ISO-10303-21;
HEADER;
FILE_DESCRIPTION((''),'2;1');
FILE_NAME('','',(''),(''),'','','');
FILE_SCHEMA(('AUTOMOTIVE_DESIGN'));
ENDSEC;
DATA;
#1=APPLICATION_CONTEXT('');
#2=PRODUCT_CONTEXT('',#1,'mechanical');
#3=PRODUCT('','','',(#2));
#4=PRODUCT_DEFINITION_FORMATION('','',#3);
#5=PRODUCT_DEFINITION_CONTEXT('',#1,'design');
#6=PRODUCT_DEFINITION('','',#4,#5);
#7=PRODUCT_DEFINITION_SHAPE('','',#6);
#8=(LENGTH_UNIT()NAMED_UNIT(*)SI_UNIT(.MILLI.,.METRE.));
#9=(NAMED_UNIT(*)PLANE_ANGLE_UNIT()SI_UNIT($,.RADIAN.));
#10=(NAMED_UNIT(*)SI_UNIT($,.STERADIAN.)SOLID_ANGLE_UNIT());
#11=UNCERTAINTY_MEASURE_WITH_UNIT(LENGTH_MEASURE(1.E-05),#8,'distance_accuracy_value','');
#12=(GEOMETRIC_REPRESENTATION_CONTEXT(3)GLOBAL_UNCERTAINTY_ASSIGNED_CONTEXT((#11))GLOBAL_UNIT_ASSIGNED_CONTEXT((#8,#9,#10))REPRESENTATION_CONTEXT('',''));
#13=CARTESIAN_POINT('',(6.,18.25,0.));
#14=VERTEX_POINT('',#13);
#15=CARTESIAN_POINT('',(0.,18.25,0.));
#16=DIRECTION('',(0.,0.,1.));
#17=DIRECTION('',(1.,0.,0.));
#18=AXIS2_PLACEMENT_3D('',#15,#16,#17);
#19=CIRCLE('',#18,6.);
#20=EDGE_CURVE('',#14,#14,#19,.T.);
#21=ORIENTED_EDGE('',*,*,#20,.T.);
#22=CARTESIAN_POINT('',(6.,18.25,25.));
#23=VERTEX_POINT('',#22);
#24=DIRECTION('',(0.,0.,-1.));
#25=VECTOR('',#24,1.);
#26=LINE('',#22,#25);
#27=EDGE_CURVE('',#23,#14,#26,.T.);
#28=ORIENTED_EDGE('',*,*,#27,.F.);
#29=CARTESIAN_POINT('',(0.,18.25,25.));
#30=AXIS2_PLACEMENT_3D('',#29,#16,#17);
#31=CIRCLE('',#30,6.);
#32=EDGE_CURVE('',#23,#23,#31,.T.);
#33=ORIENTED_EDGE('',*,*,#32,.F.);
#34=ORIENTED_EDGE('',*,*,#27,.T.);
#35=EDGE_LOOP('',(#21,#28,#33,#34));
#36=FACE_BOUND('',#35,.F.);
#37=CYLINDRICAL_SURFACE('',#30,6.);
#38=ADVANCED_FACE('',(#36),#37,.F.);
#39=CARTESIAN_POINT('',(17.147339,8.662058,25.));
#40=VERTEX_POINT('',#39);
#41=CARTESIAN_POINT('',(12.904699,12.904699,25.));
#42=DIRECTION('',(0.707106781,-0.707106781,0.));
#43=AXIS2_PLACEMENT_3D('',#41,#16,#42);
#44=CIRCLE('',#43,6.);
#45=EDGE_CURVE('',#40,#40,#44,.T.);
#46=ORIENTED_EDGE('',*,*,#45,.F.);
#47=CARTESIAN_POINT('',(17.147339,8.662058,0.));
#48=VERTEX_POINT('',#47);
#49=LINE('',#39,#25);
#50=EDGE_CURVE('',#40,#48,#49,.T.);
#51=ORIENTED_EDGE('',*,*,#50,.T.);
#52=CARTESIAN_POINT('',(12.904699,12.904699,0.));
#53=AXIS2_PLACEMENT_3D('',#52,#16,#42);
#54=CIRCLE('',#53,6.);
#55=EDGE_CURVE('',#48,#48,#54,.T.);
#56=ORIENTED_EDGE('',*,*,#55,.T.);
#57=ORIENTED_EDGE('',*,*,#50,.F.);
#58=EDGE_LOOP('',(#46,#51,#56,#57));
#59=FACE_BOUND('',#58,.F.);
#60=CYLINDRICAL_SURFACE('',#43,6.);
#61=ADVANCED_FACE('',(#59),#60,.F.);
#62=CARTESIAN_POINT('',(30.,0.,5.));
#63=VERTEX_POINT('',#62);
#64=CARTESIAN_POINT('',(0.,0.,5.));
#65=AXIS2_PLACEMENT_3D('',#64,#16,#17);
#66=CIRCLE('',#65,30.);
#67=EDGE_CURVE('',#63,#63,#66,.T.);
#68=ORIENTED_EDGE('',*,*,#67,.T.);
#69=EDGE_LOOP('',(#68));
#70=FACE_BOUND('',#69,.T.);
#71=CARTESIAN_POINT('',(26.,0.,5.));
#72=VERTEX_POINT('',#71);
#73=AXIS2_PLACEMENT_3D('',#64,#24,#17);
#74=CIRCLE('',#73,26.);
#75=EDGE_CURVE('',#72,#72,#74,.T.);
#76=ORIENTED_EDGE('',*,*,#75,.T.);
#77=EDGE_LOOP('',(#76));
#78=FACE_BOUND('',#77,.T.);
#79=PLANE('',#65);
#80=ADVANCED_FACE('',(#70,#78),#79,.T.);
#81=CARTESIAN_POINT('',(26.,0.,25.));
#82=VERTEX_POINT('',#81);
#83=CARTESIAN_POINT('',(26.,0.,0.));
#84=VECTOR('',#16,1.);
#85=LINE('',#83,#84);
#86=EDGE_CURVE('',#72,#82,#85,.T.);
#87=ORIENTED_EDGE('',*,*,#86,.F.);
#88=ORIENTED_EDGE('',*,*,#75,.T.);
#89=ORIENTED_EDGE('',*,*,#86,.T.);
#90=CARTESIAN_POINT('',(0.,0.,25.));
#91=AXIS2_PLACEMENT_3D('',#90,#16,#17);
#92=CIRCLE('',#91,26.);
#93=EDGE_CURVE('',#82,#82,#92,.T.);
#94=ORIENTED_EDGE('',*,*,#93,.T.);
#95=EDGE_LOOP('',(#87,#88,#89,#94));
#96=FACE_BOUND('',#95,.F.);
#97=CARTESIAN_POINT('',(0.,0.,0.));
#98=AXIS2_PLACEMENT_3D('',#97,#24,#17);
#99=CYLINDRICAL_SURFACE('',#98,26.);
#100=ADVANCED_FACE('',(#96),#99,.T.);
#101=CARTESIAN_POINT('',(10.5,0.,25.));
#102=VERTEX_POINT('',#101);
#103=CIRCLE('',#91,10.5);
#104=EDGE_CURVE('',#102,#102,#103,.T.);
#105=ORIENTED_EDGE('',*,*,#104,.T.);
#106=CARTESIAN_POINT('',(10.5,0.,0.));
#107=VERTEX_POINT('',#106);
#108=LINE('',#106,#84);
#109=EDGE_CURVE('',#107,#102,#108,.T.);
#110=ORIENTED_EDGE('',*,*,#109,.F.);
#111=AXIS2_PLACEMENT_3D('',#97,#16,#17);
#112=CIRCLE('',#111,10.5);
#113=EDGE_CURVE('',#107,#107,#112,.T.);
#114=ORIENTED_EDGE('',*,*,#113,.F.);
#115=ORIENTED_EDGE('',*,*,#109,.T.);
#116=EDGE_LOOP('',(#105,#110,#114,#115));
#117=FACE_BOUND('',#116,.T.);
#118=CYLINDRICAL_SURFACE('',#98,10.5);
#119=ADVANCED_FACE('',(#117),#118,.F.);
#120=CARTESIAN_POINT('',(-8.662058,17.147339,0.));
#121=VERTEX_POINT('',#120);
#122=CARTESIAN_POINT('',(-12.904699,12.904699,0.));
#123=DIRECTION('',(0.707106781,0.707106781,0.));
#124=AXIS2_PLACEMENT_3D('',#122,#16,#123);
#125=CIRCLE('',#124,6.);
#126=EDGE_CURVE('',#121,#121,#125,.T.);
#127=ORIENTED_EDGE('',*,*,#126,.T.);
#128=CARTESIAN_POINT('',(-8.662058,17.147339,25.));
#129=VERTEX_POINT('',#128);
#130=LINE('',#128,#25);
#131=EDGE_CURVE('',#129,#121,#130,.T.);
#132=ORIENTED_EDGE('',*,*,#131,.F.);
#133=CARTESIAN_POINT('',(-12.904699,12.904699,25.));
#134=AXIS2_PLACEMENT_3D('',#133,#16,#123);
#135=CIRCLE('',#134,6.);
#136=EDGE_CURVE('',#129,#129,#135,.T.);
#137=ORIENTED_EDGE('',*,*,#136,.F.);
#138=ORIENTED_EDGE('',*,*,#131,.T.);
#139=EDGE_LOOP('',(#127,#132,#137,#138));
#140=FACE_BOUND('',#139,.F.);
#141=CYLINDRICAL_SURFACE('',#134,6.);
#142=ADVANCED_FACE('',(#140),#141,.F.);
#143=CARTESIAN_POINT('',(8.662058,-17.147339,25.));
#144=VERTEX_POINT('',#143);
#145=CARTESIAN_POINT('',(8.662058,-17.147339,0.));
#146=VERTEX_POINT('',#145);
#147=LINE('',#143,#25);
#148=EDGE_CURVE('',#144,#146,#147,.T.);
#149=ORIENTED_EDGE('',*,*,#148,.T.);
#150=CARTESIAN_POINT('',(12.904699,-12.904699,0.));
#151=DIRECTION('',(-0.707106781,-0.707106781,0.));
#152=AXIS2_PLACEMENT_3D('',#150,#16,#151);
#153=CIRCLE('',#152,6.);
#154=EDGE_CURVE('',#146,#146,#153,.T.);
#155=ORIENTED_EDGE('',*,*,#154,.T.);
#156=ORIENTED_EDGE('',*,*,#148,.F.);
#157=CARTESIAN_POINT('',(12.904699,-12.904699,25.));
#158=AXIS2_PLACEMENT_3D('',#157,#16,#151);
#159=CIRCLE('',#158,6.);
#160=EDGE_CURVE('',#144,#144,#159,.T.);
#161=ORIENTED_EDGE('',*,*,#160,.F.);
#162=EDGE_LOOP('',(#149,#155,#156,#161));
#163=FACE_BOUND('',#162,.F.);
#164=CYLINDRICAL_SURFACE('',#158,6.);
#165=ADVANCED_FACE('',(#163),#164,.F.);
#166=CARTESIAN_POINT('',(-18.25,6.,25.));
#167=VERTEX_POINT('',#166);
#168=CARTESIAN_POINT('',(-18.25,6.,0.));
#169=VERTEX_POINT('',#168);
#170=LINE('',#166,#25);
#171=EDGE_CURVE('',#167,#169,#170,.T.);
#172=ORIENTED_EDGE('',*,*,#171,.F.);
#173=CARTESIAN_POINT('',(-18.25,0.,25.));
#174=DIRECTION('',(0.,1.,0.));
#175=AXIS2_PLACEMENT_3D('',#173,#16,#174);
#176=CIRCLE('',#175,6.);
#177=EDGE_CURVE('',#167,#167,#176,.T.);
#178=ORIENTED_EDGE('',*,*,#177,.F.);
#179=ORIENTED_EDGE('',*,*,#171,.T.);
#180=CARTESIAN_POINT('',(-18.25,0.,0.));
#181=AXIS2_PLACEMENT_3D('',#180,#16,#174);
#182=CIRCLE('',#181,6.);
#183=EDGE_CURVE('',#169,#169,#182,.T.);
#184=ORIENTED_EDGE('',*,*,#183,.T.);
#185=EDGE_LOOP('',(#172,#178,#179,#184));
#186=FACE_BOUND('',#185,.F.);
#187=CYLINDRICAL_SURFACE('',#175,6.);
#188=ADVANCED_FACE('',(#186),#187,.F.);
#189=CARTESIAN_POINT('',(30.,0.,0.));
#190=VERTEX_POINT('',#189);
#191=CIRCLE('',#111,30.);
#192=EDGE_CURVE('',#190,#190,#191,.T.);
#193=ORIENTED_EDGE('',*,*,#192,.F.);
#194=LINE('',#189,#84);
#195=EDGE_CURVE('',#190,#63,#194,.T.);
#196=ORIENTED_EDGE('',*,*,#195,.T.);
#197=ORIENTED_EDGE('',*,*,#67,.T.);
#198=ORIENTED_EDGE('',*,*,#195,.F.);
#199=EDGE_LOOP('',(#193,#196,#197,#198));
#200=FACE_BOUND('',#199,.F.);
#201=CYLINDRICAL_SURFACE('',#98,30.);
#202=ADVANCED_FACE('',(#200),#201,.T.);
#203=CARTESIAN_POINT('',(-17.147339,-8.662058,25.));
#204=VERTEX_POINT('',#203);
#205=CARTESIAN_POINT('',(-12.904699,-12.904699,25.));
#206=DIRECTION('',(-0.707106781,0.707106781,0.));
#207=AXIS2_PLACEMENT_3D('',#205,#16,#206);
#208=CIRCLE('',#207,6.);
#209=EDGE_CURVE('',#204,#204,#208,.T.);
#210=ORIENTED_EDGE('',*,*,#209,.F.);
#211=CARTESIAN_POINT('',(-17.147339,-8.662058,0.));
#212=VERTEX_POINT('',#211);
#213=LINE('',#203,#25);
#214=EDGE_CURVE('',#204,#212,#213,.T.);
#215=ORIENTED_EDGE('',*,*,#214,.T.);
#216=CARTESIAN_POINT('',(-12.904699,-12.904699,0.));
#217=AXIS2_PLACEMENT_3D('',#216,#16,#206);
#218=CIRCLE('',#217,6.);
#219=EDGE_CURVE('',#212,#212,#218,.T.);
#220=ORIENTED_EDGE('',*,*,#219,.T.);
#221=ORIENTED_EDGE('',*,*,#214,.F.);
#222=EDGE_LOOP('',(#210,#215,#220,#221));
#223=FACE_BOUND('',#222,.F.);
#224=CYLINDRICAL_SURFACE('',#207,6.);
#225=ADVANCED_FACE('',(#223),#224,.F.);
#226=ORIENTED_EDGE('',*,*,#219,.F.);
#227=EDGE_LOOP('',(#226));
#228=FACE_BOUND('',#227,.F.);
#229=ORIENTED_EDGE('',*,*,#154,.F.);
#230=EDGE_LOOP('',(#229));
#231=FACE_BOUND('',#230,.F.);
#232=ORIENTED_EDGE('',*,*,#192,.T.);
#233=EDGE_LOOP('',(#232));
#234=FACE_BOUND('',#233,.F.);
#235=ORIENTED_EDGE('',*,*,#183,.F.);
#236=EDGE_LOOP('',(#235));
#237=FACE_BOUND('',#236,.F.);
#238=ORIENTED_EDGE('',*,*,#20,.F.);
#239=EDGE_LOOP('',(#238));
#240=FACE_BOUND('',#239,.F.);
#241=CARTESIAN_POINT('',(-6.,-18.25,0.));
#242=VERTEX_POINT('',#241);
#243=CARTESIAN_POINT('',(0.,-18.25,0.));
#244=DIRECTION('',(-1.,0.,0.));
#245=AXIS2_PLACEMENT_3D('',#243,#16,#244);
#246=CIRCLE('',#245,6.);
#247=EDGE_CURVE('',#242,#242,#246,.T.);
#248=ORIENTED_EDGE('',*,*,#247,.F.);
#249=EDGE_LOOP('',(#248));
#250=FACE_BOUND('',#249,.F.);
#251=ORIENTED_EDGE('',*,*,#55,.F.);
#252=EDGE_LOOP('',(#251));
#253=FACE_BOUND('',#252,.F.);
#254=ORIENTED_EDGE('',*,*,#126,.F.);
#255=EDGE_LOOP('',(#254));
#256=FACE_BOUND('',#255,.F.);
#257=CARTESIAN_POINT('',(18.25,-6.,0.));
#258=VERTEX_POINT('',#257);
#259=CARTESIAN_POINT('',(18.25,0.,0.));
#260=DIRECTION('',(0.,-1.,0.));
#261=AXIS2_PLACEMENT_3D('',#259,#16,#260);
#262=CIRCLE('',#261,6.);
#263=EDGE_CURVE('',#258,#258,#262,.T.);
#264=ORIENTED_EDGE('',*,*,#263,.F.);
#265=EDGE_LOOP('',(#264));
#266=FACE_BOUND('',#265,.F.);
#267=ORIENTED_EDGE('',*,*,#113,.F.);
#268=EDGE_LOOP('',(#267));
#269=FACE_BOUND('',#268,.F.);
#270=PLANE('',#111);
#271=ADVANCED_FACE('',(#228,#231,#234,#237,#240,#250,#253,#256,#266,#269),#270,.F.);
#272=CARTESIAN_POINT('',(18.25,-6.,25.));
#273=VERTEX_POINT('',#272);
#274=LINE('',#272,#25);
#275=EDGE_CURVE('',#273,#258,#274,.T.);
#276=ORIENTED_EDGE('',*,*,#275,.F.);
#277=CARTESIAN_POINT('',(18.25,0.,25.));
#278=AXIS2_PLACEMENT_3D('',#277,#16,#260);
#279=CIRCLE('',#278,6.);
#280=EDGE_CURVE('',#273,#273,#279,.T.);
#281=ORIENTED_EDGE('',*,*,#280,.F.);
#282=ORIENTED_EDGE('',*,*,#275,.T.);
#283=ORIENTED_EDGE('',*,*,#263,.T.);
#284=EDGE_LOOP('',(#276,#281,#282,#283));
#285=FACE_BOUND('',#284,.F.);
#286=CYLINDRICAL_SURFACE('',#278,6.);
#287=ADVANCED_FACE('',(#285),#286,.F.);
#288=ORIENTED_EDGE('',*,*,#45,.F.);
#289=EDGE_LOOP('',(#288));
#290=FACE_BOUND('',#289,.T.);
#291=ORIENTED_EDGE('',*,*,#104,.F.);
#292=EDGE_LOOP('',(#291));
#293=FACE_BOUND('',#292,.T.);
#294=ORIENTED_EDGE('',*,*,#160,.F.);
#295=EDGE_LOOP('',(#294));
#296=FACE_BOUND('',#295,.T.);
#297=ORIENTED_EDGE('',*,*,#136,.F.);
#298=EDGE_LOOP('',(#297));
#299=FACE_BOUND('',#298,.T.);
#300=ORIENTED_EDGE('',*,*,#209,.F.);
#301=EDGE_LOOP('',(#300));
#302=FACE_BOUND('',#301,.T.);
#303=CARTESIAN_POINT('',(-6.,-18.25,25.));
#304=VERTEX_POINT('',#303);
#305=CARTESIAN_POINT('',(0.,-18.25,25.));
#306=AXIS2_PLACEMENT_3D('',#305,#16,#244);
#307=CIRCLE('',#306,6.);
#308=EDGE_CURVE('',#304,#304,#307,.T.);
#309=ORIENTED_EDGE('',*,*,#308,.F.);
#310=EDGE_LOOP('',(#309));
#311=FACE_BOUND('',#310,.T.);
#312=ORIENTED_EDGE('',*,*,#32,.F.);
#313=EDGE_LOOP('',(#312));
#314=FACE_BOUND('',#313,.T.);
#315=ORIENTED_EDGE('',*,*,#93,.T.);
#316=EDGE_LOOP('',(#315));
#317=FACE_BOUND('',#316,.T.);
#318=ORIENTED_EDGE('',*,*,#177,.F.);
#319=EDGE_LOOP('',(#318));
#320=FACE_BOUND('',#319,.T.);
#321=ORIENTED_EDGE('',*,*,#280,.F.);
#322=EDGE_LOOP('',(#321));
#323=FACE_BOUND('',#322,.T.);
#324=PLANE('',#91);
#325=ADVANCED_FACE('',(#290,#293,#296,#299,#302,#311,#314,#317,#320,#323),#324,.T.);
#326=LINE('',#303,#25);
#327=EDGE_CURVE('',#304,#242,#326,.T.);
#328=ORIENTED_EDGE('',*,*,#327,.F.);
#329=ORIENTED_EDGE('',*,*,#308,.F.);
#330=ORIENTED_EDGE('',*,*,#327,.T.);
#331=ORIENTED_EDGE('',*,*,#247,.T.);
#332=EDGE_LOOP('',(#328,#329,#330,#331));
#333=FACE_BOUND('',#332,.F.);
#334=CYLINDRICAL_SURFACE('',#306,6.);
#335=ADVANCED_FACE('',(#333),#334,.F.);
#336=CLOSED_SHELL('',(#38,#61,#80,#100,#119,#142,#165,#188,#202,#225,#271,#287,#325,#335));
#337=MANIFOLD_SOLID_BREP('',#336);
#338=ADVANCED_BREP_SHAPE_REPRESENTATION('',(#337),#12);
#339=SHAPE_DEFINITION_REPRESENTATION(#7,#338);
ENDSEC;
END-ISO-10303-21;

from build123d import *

# Parameters (mm, degrees)
CYLINDER001_R      = 10.5
CYLINDER001_DEPTH  = 25
CYLINDER_R         = 26
CYLINDER_DEPTH     = 25
CYLINDER002_R      = 30
CYLINDER002_DEPTH  = 5
SKETCH_R           = 6
POCKET_DEPTH       = 40
POLARPATTERN_COUNT = 8


with BuildPart() as cylinder001:
    # Cylinder001 → Cylinder001 (new body)
    with BuildSketch(Plane.XY):
        Circle(CYLINDER001_R)
    extrude(amount=CYLINDER001_DEPTH)


with BuildPart() as cylinder:
    # Cylinder → Cylinder (new body)
    with BuildSketch(Plane.XY):
        Circle(CYLINDER_R)
    extrude(amount=CYLINDER_DEPTH)


with BuildPart() as polarpattern:
    # Cylinder002 → Cylinder002 (new body)
    with BuildSketch(Plane.XY):
        Circle(CYLINDER002_R)
    extrude(amount=CYLINDER002_DEPTH)

    # Fusion: union Cylinder
    add(cylinder.part)

    # Cut: cut Cylinder001
    add(cylinder001.part, mode=Mode.SUBTRACT)

    # Sketch → Pocket (cut)
    with BuildSketch(Plane.XY.offset(25)):
        with Locations((0, 18.25)):
            Circle(SKETCH_R)
    pocket = extrude(amount=-POCKET_DEPTH, mode=Mode.SUBTRACT)

    # PolarPattern: Pocket ×8 about axis
    polarpattern_axis = Axis((0, 0, 25), (0, 0, 1))
    for i in range(1, POLARPATTERN_COUNT):
        add(pocket.rotate(polarpattern_axis, i * 360 / POLARPATTERN_COUNT), mode=Mode.SUBTRACT)


solid = polarpattern.part
